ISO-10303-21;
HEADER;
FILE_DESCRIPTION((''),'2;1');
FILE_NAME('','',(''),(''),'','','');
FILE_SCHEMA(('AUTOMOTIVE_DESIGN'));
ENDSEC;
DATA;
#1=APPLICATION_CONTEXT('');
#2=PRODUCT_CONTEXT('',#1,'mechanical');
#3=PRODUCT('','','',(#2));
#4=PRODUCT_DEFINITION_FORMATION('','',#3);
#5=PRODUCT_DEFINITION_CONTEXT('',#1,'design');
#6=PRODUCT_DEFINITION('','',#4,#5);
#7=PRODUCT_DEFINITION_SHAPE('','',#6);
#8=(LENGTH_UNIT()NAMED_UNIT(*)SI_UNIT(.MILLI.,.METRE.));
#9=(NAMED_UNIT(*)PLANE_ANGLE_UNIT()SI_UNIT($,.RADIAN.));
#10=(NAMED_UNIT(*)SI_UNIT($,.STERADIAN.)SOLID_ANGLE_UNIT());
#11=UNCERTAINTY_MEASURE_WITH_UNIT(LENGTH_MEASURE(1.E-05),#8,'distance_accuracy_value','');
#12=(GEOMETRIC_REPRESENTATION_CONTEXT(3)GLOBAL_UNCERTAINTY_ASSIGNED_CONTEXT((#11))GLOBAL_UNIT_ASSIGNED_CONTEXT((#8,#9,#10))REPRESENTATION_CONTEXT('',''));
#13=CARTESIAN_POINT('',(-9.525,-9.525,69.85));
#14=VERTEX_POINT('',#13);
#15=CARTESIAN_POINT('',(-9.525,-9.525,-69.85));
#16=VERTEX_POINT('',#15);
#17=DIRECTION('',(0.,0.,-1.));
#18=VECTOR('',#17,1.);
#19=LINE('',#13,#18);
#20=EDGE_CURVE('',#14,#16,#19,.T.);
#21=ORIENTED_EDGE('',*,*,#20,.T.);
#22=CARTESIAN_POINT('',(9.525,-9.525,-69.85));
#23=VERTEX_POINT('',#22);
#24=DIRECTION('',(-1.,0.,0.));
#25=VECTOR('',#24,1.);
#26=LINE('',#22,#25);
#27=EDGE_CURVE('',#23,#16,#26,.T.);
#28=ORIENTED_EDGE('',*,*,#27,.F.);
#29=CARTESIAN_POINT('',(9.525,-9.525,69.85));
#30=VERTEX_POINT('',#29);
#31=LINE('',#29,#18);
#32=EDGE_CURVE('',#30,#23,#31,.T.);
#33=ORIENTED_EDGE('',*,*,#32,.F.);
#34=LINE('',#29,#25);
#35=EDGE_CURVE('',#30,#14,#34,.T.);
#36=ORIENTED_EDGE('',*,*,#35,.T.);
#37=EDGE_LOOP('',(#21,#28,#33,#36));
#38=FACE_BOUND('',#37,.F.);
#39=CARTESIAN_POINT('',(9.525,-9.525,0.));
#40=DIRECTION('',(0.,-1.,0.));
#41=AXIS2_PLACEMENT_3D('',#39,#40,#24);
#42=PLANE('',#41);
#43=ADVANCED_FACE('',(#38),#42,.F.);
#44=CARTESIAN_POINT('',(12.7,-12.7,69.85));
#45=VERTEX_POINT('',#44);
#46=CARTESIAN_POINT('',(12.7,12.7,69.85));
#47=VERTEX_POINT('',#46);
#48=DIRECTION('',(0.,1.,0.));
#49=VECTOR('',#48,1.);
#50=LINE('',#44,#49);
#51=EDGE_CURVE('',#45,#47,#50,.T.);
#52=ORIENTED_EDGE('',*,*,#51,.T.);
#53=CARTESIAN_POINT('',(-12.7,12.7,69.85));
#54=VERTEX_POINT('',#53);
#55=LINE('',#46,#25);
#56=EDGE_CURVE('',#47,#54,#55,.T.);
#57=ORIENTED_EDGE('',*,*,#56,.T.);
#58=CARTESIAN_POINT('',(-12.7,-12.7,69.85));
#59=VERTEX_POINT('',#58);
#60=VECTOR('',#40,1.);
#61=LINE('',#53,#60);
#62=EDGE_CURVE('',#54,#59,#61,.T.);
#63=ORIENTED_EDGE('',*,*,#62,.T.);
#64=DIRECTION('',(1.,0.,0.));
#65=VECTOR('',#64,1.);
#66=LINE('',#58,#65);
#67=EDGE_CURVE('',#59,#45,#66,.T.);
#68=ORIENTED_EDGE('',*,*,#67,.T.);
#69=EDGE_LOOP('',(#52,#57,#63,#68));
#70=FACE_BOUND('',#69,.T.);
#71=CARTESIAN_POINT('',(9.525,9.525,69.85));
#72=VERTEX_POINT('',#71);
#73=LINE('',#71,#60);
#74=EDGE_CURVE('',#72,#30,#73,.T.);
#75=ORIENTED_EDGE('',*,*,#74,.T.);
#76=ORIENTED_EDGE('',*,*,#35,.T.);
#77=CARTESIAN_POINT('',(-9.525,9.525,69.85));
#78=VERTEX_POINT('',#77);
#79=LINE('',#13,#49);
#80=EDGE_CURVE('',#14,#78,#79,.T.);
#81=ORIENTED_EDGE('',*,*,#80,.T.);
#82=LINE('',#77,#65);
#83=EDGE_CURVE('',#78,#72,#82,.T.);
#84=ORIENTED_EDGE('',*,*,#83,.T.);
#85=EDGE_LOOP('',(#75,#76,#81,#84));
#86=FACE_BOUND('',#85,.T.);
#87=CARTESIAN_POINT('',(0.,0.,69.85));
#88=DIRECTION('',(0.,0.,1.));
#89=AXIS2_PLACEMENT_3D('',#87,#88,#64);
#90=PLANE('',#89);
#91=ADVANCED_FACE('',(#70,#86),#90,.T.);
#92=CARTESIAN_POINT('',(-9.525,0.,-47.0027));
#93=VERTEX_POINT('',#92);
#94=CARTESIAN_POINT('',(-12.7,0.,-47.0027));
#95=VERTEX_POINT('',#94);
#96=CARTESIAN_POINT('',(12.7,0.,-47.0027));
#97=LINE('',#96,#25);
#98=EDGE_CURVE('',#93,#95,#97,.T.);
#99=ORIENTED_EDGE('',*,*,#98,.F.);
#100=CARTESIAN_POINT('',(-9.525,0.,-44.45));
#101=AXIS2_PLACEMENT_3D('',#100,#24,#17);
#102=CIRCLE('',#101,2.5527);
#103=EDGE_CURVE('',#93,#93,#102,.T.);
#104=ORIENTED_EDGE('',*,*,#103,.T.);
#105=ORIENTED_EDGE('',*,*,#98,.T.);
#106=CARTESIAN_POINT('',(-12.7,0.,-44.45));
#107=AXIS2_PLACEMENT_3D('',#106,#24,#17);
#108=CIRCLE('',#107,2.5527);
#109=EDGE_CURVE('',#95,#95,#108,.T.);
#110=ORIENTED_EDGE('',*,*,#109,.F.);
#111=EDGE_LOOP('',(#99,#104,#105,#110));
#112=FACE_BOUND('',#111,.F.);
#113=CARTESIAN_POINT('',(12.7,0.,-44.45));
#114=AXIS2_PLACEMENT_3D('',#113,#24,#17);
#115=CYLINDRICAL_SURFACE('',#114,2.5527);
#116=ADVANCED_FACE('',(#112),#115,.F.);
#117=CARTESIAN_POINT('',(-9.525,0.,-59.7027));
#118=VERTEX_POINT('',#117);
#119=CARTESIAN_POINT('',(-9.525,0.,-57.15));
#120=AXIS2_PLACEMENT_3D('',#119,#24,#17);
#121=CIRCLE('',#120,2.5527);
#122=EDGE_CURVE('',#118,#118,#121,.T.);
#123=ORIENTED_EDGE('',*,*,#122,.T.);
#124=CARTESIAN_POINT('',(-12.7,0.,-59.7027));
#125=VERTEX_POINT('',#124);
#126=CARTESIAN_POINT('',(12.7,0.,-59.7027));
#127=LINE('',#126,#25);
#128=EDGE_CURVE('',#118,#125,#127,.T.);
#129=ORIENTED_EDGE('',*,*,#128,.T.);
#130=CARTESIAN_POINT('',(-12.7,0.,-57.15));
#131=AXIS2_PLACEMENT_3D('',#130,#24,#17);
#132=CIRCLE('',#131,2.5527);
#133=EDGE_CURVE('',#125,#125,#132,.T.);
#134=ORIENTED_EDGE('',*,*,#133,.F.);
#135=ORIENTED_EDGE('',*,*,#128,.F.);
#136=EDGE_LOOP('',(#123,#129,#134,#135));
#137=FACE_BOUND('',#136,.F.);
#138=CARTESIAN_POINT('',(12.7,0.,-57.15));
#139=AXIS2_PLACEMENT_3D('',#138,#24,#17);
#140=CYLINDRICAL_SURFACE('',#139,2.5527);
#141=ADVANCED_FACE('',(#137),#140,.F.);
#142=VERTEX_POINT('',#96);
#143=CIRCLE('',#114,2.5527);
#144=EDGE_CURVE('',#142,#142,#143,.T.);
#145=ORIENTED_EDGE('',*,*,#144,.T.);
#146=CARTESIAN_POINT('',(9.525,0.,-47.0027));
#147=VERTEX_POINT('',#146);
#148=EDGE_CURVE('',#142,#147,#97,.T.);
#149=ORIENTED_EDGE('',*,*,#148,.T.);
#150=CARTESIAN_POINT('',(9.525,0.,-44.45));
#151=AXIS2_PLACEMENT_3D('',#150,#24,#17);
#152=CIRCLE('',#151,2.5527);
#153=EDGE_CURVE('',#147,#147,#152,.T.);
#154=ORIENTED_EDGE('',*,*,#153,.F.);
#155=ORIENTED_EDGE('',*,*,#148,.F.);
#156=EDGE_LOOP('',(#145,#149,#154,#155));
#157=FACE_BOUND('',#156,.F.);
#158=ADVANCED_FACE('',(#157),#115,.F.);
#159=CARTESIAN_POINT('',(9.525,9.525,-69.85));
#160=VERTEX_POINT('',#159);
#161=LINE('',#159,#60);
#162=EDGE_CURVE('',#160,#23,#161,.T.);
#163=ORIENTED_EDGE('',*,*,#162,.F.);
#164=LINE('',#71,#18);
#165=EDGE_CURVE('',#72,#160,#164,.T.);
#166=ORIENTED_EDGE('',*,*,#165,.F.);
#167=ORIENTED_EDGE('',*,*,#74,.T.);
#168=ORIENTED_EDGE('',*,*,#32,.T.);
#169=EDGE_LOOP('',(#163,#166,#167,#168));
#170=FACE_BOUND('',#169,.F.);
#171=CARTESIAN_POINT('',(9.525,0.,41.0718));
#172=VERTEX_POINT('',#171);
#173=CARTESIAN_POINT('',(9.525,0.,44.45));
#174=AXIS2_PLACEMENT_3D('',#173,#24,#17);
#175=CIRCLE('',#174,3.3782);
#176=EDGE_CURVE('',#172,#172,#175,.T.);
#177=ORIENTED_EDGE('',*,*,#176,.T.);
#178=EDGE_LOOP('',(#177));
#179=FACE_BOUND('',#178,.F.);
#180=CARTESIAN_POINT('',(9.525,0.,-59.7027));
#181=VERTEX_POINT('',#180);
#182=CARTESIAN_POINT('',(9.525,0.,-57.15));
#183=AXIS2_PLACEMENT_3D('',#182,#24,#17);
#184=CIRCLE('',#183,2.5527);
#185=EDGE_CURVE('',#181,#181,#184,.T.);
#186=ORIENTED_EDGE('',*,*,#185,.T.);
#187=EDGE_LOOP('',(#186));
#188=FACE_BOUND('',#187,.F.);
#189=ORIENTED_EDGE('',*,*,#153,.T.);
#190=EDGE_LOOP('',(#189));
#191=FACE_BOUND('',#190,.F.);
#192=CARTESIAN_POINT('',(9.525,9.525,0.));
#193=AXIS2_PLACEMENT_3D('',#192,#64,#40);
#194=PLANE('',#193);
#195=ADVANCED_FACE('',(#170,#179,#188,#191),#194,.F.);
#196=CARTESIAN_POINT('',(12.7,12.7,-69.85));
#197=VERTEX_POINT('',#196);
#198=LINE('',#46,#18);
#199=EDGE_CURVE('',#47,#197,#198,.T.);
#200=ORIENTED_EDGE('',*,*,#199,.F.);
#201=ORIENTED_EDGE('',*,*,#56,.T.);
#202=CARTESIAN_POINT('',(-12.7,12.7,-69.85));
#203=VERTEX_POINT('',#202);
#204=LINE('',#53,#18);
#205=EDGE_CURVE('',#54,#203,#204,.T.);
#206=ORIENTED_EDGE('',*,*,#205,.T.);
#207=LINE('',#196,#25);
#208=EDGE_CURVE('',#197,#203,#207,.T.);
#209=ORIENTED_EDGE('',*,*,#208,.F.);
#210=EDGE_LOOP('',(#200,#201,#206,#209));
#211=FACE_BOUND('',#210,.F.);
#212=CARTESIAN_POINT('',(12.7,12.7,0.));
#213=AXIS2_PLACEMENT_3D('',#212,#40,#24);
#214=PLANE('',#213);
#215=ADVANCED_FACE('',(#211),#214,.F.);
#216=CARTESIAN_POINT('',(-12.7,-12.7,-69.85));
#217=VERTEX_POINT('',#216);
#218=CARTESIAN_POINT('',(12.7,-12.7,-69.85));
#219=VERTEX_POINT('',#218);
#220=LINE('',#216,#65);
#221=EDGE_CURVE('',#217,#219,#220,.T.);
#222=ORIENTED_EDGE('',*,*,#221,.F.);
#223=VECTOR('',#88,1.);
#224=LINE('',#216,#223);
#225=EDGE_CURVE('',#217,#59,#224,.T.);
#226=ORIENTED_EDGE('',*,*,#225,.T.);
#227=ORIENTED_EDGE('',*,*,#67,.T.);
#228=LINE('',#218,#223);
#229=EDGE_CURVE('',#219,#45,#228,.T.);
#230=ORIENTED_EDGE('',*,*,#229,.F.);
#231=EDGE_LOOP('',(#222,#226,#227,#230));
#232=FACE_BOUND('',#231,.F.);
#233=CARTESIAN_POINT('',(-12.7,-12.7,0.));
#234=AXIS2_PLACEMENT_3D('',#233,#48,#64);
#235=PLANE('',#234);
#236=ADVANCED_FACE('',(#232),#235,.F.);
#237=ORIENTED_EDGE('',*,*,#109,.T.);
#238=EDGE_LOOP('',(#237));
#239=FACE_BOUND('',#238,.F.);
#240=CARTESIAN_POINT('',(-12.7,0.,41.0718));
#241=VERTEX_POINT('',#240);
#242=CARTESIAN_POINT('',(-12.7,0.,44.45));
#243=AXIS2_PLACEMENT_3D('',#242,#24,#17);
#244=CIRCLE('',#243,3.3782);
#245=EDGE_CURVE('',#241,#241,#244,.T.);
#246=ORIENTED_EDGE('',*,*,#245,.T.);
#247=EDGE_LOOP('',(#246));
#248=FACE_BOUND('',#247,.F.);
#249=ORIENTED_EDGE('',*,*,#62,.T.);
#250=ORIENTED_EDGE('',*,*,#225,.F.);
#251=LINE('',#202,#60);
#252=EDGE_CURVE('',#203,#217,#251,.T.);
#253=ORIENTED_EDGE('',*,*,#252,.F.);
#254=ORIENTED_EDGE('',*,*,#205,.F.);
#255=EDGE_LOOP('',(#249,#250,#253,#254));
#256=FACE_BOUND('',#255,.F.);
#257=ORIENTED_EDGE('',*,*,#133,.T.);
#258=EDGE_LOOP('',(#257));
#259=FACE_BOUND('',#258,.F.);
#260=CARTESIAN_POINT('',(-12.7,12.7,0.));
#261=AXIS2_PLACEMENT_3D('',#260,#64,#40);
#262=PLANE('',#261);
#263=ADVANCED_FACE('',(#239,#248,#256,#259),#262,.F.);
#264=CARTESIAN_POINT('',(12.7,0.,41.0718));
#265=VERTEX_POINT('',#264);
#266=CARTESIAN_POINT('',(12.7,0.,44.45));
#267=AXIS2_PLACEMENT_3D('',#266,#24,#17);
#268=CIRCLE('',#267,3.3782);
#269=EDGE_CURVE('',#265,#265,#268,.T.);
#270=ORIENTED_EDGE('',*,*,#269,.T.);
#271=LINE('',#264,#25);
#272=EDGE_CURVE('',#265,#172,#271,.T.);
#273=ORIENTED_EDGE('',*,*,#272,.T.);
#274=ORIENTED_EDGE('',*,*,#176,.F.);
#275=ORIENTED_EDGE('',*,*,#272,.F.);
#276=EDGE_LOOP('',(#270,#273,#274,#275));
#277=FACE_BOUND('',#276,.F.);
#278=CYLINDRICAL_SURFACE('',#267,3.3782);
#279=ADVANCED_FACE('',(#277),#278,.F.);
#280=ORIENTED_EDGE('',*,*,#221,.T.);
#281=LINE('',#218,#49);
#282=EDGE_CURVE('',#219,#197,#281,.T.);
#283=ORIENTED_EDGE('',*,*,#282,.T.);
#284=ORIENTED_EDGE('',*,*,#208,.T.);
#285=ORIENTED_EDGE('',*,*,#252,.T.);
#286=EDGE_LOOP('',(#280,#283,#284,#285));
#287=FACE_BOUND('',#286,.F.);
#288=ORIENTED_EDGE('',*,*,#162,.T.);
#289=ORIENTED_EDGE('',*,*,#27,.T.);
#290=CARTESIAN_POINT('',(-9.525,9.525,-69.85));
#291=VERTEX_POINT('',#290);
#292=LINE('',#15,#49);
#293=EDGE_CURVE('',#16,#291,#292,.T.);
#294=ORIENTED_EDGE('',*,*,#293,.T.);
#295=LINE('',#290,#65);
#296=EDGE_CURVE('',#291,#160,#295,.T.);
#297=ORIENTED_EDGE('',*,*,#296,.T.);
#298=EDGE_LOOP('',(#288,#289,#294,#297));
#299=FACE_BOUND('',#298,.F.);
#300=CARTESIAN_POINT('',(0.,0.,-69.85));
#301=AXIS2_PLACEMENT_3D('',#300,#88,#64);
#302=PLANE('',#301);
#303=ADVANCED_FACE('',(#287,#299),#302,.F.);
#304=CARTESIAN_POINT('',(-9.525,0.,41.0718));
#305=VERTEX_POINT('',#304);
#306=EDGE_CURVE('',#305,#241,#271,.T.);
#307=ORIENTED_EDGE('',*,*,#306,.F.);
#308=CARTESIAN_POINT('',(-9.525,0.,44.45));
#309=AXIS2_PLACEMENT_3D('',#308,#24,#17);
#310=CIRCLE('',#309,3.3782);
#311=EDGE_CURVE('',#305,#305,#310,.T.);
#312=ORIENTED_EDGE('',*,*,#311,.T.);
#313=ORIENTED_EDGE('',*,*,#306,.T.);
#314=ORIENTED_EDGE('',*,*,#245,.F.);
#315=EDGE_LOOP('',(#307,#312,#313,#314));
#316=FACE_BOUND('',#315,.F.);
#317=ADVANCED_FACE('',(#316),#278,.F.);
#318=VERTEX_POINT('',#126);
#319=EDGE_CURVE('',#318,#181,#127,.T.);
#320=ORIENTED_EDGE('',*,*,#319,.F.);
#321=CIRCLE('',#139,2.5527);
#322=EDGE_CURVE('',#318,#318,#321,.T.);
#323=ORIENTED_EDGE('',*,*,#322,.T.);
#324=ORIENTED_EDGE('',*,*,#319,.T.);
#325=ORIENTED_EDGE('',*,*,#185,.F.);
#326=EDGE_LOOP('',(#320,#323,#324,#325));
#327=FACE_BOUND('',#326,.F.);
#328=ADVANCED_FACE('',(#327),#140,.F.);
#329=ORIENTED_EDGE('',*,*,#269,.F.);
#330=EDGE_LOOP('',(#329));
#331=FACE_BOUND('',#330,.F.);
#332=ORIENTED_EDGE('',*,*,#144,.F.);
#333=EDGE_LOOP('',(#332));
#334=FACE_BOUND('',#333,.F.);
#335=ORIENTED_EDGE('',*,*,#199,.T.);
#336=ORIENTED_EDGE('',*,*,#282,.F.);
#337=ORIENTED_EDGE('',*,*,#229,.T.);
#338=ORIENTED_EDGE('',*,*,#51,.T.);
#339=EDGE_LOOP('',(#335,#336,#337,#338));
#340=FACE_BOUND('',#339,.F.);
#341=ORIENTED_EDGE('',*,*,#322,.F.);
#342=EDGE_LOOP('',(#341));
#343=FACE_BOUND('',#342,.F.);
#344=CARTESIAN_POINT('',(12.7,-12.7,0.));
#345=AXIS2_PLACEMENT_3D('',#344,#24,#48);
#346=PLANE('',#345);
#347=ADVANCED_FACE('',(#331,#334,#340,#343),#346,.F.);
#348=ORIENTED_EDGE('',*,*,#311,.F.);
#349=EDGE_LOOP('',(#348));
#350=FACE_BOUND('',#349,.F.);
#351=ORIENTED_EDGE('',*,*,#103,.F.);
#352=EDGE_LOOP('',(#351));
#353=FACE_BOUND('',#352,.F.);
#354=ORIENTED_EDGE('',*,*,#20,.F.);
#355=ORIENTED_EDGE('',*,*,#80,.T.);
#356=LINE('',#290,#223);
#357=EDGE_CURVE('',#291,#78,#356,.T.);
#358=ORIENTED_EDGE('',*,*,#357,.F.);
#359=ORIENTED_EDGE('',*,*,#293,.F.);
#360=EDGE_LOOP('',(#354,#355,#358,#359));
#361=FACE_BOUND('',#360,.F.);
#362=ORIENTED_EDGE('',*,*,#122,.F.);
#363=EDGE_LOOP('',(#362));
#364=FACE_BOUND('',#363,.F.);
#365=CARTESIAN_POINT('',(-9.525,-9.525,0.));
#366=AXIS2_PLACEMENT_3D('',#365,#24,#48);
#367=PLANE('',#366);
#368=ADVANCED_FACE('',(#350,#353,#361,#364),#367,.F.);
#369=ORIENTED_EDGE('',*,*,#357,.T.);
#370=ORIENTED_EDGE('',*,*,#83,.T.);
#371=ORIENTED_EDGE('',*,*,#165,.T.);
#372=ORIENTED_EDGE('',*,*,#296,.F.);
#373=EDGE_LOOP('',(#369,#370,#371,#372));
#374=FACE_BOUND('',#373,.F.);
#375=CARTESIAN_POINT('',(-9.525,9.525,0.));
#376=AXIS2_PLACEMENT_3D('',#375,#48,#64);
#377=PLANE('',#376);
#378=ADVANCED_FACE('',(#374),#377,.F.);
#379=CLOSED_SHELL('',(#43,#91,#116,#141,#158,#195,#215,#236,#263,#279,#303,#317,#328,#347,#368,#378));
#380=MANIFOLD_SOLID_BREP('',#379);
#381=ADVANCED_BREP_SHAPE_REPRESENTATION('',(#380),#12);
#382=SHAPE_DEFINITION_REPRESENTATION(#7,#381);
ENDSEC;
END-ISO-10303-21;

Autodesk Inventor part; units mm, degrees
ref_plane "YZ Plane" through (0, 0, 0) normal (1, 0, 0) x (0, 1, 0)
ref_plane "XZ Plane" through (0, 0, 0) normal (0, 1, 0) x (-1, 0, 0)
ref_plane "XY Plane" through (0, 0, 0) normal (0, 0, 1) x (1, 0, 0)
sketch "Sketch1" plane through (0, 0, 0) normal (0, 0, 1) x (1, 0, 0)
  line L0 (-12.7, -12.7) -> (12.7, -12.7)
  line L1 (12.7, -12.7) -> (12.7, 12.7)
  line L2 (12.7, 12.7) -> (-12.7, 12.7)
  line L3 (-12.7, 12.7) -> (-12.7, -12.7)
  line L4 (-12.7, -12.7) -> (12.7, 12.7) construction
  line L5 (12.7, -12.7) -> (-12.7, 12.7) construction
  line L6 (-9.525, 9.525) -> (9.525, 9.525)
  line L7 (9.525, 9.525) -> (9.525, -9.525)
  line L8 (9.525, -9.525) -> (-9.525, -9.525)
  line L9 (-9.525, -9.525) -> (-9.525, 9.525)
  point P0 (0, 0)
  dimension "width" = 25.4
  dimension "height" = 25.4
  dimension "thickness" = 3.175
extrude "Extrusion1" add sketch "Sketch1" along normal mid plane 139.7
sketch "Sketch2" plane through (12.7, -12.7, 69.85) normal (1, 0, 0) x (0, 0, -1)
  line L0 (0, 0) -> (0, 25.4) construction
  point P0 (69.85, 12.7)
  point P1 (25.4, 12.7)
  dimension "d5" = 25.4
hole "Hole1" at (12.7, 0, 44.45) direction (-1, 0, 0) diameter 6.7564 end through all clearance for "Flat Head Machine Screw (82)" size "1/4" standard "Ansi Unified Screw Threads"
sketch "Sketch3" plane through (12.7, -12.7, 69.85) normal (1, 0, 0) x (0, 0, -1)
  line L0 (139.7, 25.4) -> (139.7, 0) construction
  point P0 (69.85, 12.7)
  point P1 (127, 12.7)
  point P2 (114.3, 12.7)
  point P3 (139.7, 12.7)
  dimension "d13" = 12.7
  dimension "d14" = 12.7
hole "Hole2" at (12.7, 0, -57.15) at (12.7, 0, -44.45) direction (-1, 0, 0) diameter 5.1054 end through all clearance for "Flat Head Machine Screw (82)" size "#10" standard "Ansi Unified Screw Threads"
properties part number "CHD-003" material "Aluminum 6061"
